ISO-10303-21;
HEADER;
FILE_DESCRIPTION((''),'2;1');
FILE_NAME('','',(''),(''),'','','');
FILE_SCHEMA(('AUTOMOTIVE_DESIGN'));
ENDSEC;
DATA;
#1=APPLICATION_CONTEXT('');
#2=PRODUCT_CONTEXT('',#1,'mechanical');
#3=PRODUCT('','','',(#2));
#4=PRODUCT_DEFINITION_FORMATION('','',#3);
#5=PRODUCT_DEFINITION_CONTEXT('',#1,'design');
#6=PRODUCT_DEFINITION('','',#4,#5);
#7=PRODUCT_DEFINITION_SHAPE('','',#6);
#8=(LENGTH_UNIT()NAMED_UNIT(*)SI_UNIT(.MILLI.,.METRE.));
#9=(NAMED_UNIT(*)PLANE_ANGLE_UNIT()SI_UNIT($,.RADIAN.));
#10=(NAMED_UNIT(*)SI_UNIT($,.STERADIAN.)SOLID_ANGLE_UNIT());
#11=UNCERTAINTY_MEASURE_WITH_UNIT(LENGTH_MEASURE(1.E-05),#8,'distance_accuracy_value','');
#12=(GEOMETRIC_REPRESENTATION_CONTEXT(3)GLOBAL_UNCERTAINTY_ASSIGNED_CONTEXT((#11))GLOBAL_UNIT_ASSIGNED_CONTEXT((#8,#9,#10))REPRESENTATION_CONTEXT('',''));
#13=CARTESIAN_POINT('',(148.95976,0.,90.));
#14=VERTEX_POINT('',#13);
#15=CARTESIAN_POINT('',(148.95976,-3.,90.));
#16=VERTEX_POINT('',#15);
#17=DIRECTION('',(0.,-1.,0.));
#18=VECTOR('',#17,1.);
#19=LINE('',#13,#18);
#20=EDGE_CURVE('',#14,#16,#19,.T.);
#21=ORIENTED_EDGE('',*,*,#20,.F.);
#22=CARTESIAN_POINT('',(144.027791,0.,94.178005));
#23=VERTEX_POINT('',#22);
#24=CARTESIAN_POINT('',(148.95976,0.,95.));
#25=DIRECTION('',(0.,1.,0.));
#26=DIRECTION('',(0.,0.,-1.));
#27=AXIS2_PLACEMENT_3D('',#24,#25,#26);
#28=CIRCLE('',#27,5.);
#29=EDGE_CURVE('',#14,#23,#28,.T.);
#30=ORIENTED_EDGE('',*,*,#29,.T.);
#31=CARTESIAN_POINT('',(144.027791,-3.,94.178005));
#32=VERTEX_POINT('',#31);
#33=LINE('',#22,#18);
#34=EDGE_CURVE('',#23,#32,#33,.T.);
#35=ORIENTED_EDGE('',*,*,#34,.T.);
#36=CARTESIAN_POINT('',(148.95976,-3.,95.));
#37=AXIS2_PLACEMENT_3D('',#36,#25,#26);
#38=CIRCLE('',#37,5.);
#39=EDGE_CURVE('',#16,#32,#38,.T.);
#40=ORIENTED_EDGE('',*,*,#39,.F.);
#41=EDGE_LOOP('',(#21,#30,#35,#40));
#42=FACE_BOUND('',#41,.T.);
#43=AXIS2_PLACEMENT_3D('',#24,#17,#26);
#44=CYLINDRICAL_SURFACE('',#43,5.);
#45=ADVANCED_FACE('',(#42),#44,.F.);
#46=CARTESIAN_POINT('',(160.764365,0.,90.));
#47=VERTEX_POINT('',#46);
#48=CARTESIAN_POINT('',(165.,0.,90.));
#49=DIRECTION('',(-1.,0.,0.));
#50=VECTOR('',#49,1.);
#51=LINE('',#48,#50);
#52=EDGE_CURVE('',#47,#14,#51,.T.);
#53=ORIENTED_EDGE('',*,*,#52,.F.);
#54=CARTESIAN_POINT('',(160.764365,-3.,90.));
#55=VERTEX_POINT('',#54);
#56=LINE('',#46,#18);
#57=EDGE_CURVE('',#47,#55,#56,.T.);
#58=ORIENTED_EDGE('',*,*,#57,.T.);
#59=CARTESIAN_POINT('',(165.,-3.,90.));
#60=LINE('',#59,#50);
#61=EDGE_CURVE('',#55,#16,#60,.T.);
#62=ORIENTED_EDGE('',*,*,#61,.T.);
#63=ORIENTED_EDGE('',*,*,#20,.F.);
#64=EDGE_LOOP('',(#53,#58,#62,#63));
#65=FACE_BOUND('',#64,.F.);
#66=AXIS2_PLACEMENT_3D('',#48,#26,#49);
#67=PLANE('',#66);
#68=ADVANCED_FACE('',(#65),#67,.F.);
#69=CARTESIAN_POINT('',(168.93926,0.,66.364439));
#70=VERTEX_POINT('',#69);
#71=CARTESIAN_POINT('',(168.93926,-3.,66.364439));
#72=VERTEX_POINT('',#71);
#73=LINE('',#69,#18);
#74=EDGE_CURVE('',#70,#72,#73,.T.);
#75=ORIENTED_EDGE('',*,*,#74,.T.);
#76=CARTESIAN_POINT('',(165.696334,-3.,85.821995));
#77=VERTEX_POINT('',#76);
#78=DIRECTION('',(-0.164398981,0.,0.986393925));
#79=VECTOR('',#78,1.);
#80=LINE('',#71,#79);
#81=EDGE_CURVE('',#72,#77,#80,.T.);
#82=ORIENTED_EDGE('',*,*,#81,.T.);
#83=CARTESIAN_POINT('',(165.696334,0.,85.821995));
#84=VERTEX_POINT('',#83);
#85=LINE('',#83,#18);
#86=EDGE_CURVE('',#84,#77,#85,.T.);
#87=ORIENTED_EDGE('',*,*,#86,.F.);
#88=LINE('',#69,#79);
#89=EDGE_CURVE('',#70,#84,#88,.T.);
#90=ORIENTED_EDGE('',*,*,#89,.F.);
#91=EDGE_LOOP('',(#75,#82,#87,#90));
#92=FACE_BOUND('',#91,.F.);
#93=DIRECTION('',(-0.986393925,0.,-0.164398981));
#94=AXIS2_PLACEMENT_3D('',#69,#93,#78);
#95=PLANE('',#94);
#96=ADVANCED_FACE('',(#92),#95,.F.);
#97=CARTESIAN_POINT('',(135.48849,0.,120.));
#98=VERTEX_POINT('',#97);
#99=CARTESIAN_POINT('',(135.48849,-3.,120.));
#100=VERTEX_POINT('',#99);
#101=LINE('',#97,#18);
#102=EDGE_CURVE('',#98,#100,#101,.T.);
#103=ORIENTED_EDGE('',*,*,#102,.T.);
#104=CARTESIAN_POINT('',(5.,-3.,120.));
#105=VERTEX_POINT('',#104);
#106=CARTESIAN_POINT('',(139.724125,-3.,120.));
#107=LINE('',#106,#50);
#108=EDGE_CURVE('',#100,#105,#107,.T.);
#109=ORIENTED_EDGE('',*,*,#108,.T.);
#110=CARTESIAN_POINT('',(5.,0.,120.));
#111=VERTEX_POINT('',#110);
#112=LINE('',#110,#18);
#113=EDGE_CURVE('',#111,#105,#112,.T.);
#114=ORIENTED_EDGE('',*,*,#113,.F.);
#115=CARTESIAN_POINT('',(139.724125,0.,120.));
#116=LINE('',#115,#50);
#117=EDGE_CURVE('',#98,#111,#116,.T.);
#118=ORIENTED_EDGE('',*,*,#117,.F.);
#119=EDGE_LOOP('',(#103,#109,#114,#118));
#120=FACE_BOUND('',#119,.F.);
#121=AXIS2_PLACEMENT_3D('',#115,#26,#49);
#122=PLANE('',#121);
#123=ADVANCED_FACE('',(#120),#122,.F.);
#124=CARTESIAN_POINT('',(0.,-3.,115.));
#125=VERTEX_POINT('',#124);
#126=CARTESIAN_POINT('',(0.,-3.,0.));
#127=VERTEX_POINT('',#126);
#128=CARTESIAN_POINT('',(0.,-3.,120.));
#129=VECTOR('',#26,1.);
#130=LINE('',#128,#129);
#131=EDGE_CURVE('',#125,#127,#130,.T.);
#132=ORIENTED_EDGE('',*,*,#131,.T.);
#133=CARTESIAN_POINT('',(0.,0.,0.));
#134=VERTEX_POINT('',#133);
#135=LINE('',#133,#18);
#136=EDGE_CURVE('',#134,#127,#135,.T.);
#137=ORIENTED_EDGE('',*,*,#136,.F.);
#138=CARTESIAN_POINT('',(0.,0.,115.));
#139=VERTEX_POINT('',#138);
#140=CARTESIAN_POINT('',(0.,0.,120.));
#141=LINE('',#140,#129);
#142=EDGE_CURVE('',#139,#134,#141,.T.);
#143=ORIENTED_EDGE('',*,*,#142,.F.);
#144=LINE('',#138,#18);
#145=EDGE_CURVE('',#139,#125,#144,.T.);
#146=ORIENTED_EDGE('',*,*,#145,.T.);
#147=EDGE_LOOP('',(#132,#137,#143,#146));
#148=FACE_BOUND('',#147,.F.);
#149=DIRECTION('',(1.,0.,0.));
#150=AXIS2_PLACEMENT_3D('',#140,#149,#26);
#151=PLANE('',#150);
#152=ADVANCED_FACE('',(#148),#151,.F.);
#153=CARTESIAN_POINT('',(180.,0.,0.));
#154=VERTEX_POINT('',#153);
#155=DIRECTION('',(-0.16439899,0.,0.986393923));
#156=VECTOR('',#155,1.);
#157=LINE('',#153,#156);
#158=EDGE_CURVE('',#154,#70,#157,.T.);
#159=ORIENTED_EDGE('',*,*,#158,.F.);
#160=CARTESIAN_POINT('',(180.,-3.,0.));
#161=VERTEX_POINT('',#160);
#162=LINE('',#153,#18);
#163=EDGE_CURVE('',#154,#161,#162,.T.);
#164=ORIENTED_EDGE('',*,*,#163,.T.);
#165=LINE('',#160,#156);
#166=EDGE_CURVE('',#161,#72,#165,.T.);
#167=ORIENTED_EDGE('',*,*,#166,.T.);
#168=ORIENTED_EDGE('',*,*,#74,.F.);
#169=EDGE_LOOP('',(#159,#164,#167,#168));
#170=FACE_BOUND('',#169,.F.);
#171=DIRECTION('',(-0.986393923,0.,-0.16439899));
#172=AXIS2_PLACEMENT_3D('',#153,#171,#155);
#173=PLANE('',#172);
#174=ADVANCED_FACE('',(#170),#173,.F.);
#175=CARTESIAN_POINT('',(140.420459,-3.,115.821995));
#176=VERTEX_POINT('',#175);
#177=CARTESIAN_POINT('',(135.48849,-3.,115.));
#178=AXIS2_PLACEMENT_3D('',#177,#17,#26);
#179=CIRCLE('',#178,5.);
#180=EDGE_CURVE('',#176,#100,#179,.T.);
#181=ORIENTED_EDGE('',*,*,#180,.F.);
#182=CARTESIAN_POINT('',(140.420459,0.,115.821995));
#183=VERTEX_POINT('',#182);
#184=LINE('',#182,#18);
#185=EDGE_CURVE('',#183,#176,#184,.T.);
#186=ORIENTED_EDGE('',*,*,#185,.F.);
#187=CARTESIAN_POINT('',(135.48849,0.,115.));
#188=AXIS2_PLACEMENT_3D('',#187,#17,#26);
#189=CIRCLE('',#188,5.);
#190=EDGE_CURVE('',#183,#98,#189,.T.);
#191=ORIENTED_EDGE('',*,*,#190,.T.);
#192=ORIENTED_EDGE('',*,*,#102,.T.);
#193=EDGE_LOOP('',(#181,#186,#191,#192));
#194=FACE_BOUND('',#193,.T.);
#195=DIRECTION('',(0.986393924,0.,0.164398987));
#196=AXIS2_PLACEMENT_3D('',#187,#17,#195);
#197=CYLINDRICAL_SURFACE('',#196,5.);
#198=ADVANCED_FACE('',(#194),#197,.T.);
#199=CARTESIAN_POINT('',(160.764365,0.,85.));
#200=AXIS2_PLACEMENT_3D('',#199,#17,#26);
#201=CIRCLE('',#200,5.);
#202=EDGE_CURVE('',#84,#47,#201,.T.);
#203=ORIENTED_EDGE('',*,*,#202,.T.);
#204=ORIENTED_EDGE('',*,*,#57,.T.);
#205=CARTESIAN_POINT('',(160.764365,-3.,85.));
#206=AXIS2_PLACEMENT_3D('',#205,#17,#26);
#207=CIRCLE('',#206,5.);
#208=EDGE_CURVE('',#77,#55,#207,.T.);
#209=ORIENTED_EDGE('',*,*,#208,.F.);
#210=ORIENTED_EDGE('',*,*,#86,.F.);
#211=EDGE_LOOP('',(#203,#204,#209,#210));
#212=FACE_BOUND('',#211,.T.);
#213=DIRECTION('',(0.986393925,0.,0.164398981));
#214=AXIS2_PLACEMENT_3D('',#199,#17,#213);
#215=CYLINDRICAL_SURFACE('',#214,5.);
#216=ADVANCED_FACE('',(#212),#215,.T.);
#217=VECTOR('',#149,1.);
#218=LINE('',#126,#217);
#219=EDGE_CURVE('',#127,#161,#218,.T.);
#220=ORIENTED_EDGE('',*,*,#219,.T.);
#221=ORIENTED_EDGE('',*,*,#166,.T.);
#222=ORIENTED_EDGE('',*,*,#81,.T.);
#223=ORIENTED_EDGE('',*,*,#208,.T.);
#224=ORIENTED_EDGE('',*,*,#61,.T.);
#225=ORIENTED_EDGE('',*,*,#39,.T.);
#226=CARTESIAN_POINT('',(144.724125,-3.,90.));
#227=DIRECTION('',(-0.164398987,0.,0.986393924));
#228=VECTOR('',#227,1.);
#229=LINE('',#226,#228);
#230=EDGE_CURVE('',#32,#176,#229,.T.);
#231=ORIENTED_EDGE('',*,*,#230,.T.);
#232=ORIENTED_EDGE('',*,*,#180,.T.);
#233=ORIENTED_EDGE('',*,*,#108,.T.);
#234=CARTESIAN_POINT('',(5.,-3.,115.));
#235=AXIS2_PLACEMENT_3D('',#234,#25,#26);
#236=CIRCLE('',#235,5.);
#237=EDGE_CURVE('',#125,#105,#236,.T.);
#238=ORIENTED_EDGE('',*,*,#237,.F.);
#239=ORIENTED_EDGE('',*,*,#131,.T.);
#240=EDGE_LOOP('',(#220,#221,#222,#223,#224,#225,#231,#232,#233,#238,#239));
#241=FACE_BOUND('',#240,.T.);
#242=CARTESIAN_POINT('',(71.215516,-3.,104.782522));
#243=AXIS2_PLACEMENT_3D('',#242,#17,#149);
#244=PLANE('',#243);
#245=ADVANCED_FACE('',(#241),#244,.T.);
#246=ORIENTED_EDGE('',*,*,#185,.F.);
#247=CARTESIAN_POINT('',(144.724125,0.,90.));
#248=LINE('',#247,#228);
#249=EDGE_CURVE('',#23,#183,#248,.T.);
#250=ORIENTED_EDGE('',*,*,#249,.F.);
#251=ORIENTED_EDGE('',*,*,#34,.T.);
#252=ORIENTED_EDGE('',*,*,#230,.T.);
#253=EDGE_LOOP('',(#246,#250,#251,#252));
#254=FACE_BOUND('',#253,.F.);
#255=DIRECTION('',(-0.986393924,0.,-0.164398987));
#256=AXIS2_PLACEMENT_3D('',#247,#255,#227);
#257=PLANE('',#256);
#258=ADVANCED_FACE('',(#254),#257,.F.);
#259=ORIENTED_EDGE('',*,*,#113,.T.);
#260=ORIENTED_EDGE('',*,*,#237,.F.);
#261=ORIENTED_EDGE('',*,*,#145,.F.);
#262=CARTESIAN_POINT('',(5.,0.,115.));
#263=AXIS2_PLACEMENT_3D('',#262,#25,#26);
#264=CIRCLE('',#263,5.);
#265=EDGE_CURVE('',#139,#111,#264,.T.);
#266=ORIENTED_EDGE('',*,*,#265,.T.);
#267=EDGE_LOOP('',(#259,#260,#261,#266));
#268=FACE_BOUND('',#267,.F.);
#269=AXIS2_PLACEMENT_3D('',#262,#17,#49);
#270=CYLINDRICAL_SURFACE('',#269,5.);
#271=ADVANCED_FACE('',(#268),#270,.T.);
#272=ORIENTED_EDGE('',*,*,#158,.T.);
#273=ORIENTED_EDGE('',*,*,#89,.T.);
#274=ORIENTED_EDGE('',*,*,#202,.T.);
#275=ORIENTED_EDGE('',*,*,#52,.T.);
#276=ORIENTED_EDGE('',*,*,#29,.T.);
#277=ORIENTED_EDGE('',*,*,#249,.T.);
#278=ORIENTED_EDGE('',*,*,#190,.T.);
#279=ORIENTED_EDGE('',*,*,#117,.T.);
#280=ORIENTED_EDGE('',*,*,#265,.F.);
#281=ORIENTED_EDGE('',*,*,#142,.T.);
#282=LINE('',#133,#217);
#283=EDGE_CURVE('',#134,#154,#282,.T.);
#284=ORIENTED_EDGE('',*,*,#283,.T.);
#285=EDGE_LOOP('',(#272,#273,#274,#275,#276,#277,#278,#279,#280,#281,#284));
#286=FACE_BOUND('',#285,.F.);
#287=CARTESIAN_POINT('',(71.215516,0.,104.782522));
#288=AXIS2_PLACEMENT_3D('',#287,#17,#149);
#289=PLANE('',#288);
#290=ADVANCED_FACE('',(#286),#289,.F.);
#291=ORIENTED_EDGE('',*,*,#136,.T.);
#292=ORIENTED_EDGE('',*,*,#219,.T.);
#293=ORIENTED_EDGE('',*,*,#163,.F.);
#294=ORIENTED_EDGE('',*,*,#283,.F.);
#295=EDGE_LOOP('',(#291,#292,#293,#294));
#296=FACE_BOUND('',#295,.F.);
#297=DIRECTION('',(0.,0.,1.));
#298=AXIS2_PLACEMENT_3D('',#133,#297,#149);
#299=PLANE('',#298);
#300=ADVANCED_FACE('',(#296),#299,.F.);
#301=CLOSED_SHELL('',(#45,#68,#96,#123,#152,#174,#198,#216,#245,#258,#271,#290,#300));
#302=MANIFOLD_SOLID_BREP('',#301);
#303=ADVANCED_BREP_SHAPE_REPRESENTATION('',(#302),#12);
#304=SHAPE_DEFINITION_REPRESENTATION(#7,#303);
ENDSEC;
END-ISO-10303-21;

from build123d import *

# Parameters (mm, degrees)
F1_DEPTH = 3
F2_R     = 5


with BuildPart() as f1:
    # F0 (on Front) → F1 (new body)
    with BuildSketch(Plane.XZ):
        Polygon((0, 120), (0, 90), (144.724125, 90), (139.724125, 120), align=None)
        Polygon((0, 90), (0, 66.364439), (168.93926, 66.364439), (165, 90), (144.724125, 90), align=None)
        Polygon((0, 66.364439), (0, 0), (180, 0), (168.93926, 66.364439), align=None)
    extrude(amount=F1_DEPTH)

    # F2
    f2_edges = [f1.edges().sort_by_distance(p)[0] for p in [
        (165, -1.5, 90),
        (144.724125, -1.5, 90),
        (139.724125, -1.5, 120),
        (0, -1.5, 120),
    ]]
    fillet(f2_edges, radius=F2_R)


solid = f1.part
